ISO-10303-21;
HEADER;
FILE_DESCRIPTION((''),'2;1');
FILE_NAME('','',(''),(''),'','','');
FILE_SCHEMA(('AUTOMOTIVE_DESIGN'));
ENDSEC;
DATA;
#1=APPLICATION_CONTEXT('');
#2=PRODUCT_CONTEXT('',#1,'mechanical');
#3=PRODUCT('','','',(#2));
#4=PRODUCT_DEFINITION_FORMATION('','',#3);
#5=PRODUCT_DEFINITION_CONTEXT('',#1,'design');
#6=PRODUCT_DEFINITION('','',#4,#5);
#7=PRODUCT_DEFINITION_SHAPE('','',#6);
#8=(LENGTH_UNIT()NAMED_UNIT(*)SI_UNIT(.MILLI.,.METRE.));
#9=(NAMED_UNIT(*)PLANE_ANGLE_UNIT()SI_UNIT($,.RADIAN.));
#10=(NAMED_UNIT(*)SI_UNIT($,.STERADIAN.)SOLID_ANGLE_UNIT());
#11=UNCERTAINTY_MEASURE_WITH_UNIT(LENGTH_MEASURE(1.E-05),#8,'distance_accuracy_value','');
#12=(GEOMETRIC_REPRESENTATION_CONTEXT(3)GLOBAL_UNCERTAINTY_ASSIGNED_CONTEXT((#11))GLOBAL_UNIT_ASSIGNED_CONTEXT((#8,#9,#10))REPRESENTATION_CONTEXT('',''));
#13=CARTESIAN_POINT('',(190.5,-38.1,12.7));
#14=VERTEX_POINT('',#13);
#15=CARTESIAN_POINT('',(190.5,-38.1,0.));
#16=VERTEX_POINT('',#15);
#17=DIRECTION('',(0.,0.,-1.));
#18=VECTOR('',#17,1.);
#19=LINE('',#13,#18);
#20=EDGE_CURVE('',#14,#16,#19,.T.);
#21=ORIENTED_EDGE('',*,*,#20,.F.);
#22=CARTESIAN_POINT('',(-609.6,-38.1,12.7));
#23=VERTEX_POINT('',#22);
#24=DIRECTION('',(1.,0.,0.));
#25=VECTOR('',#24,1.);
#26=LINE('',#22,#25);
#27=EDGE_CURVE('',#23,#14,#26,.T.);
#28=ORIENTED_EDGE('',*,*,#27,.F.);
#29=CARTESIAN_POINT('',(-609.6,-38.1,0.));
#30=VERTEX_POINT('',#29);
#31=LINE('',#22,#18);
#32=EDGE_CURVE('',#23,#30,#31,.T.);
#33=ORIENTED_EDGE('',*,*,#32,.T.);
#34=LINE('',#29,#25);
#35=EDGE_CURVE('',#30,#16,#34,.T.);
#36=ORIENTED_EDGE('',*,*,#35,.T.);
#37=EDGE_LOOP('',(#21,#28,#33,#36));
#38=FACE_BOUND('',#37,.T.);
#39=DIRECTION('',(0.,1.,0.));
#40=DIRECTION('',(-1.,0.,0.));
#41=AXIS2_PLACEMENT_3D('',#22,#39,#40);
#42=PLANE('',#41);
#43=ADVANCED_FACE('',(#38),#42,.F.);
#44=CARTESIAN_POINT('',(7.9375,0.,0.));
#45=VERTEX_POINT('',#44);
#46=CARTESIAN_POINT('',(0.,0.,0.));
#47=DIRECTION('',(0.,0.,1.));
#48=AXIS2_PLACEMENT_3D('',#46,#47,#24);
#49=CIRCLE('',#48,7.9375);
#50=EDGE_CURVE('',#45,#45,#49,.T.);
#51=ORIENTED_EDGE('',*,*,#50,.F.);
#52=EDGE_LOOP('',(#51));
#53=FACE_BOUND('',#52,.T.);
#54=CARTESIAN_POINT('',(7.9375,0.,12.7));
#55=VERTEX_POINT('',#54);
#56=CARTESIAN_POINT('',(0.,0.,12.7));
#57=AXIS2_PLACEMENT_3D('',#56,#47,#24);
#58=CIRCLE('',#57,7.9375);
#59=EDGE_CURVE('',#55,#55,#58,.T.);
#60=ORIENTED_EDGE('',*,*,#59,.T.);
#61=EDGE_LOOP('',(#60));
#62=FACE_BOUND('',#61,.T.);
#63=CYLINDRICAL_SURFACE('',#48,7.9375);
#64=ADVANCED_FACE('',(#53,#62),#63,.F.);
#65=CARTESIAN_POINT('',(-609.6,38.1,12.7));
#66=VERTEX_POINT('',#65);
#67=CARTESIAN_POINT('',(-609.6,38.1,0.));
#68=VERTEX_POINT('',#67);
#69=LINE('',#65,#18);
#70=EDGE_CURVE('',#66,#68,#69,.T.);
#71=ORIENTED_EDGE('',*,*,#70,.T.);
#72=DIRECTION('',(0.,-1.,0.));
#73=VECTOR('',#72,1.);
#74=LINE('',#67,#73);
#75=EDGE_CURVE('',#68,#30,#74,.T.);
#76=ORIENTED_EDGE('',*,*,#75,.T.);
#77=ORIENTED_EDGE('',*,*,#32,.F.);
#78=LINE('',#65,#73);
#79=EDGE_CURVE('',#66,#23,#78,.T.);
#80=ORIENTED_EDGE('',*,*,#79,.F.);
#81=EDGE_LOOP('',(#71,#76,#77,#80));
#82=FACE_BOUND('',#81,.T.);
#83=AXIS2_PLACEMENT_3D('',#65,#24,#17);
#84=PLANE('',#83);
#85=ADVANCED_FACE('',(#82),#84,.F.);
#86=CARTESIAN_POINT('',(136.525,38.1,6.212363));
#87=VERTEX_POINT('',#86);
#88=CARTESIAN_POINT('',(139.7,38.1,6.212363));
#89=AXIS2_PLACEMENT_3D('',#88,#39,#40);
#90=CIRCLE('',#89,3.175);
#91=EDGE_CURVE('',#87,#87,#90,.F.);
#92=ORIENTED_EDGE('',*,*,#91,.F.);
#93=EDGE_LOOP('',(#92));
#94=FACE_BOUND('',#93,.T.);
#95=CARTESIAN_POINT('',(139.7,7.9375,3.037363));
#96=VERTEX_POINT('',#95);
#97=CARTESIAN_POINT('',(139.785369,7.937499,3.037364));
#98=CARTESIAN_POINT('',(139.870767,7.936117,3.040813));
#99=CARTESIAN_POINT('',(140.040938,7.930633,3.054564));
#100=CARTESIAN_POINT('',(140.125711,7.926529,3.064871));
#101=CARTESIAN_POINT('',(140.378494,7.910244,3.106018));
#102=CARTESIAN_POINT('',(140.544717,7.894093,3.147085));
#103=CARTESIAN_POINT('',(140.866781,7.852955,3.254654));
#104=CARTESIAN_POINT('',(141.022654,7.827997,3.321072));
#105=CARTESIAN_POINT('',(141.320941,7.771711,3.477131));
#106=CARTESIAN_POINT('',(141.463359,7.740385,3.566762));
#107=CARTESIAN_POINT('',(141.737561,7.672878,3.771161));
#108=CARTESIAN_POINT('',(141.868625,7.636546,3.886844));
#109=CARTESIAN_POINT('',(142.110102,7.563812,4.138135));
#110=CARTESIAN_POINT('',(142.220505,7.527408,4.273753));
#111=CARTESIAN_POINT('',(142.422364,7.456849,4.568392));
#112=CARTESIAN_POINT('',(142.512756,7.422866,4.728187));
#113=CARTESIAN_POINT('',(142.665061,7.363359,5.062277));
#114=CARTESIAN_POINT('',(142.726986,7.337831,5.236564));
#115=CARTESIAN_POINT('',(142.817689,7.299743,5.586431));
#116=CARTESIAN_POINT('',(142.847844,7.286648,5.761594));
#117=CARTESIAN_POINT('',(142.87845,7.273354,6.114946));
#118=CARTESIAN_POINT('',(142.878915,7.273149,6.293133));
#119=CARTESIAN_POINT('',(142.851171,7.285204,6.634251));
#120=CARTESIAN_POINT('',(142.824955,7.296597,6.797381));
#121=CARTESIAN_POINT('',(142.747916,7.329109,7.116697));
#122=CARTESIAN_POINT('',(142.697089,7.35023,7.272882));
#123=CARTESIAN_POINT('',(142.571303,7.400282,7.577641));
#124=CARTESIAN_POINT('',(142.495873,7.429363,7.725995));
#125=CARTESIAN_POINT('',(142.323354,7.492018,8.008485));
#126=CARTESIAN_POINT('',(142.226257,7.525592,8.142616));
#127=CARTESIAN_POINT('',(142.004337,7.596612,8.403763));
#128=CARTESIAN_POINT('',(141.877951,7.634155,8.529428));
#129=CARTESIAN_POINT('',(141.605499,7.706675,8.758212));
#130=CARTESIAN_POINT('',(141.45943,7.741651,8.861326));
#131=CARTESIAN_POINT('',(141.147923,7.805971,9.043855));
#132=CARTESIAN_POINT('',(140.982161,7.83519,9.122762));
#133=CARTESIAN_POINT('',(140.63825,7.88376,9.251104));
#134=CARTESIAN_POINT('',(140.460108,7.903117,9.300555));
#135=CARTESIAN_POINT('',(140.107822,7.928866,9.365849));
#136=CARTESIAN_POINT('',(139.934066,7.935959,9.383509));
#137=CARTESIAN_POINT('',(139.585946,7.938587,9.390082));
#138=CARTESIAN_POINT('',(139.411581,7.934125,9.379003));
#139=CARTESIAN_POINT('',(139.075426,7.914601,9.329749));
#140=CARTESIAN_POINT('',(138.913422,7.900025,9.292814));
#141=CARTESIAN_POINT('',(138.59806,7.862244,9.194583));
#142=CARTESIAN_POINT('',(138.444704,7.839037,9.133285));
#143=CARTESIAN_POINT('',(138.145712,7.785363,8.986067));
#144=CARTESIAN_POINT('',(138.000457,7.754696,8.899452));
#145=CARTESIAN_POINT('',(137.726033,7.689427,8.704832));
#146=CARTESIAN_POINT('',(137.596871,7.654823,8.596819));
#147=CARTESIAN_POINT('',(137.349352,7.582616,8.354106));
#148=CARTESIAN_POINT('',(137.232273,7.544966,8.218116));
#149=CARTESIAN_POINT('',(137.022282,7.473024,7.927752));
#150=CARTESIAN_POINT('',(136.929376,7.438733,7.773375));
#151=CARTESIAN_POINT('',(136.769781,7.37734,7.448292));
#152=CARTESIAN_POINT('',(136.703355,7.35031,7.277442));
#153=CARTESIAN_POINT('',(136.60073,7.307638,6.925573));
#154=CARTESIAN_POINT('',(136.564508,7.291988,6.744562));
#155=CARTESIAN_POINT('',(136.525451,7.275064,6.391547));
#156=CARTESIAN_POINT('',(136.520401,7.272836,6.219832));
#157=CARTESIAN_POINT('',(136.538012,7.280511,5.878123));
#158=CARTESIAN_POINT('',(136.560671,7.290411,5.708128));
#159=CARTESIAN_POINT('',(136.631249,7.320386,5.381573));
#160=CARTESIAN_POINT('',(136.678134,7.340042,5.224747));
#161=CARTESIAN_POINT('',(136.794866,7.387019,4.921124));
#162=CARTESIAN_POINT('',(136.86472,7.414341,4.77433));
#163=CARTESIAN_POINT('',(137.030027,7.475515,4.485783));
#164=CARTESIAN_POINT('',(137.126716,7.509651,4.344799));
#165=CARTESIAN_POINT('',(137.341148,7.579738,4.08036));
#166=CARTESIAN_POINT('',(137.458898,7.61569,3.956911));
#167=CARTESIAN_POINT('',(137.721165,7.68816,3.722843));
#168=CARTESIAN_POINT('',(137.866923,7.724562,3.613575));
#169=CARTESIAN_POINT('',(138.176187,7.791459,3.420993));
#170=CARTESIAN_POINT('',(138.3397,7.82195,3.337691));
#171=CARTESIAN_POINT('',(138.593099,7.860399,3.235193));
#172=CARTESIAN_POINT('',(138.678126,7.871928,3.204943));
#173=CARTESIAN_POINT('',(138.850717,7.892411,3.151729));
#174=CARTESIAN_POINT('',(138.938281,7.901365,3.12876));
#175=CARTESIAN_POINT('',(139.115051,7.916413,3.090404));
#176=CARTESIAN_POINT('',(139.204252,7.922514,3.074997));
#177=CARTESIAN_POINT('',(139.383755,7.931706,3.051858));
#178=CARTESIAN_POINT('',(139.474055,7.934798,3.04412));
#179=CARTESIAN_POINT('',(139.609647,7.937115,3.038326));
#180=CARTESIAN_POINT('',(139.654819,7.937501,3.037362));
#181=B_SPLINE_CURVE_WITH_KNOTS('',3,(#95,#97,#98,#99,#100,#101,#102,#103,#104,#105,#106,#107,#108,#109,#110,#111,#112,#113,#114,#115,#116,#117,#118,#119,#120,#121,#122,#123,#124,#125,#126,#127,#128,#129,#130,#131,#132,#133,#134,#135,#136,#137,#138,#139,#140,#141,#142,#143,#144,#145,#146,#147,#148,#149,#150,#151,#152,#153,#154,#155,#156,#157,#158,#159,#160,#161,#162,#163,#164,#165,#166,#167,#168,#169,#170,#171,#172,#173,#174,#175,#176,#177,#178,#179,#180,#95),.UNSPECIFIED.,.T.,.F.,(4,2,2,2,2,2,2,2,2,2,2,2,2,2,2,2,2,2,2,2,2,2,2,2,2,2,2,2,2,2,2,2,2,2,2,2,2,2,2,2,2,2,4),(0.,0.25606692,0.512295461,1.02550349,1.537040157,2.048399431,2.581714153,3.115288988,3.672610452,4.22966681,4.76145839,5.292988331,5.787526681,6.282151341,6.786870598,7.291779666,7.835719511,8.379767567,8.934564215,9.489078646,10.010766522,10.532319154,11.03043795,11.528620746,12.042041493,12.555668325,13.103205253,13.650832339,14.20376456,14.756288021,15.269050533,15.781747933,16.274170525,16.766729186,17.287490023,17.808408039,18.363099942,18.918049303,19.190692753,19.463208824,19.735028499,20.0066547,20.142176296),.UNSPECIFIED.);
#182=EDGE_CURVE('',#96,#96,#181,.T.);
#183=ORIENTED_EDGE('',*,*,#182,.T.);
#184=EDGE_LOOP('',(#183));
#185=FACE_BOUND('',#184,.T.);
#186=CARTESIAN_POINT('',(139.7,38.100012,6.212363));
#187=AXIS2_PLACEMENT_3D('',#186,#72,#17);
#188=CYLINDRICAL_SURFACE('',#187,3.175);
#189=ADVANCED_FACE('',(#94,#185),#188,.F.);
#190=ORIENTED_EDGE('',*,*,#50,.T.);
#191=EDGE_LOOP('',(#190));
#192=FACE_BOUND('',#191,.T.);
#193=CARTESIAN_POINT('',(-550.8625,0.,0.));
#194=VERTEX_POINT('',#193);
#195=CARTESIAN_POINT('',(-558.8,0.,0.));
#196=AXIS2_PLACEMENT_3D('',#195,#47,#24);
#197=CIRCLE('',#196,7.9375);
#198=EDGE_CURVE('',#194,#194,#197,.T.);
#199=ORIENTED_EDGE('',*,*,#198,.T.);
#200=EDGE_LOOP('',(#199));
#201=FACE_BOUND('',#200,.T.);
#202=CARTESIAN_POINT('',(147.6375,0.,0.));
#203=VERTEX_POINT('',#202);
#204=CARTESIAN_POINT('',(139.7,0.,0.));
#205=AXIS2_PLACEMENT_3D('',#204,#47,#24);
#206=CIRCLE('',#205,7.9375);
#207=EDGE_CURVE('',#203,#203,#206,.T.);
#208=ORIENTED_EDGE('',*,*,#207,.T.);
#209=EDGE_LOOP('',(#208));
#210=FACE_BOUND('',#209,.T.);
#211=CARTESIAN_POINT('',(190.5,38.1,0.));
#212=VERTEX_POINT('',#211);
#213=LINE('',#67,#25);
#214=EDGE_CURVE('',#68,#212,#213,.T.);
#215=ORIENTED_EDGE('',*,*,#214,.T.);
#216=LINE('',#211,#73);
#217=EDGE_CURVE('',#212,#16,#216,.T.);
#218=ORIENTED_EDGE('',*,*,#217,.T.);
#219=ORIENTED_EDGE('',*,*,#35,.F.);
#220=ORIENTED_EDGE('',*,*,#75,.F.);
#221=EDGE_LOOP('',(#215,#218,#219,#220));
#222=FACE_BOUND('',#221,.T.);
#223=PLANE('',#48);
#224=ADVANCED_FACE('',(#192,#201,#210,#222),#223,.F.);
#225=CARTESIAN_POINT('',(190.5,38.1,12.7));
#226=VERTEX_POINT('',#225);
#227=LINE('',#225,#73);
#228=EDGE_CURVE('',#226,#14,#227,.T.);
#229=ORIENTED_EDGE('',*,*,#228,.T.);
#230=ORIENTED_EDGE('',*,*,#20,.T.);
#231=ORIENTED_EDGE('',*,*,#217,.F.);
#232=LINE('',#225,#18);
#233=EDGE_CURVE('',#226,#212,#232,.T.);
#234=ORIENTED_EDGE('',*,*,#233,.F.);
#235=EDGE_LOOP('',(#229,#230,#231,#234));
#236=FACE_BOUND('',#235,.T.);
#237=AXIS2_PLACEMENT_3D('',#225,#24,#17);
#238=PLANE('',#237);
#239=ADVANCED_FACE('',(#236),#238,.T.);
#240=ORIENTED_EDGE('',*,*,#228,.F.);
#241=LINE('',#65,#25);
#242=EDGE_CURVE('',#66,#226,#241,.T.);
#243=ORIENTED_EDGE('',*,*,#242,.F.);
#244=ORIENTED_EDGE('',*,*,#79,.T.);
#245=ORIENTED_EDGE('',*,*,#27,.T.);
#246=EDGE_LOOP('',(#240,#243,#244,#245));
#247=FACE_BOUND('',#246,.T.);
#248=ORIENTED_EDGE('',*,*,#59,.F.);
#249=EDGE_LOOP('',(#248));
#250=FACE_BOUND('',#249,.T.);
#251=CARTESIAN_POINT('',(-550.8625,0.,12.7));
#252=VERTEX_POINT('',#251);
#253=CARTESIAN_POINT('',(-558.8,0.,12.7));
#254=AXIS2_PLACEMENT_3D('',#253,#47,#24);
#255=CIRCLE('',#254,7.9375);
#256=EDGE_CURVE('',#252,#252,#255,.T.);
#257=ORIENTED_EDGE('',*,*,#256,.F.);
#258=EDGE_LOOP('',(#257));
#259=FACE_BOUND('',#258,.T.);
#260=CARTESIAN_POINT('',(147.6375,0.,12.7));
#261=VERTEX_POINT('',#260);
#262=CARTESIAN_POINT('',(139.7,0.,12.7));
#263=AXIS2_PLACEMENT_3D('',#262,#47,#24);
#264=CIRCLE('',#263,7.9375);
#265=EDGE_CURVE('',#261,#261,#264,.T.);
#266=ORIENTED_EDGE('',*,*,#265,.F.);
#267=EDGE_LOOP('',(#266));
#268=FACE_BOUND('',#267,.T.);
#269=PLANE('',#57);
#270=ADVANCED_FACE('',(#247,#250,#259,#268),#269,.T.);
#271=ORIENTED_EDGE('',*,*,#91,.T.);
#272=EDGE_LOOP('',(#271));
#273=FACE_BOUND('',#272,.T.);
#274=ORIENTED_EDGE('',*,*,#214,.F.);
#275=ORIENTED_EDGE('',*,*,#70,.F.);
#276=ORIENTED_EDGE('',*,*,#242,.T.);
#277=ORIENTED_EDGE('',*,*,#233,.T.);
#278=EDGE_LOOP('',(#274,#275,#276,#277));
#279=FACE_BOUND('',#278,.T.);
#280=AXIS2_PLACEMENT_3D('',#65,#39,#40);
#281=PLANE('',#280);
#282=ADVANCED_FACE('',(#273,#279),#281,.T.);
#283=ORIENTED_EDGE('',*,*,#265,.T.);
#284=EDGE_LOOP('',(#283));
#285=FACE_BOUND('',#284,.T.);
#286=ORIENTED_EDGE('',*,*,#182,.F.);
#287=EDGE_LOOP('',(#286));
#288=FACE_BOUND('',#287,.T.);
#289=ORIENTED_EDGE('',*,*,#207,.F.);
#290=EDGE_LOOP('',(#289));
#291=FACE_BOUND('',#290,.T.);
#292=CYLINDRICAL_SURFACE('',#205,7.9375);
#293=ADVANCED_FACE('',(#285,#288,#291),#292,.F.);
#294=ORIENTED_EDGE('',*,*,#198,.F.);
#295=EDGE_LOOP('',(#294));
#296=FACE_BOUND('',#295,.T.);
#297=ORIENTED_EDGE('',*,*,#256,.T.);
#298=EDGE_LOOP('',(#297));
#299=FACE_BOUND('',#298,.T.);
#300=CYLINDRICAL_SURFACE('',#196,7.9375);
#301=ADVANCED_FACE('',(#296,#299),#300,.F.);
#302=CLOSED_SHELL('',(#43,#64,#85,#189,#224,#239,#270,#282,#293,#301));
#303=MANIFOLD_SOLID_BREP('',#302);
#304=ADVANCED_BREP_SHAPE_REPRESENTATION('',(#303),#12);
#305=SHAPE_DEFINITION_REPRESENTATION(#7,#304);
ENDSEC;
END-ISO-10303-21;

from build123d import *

# Parameters (mm, degrees)
SKETCH1_W               = 800.1
SKETCH1_H               = 76.2
BOSS_EXTRUDE1_DEPTH     = 12.7
CUT_EXTRUDE1_DEPTH      = 611.921484317
CUT_EXTRUDE1_DEPTH_BACK = 611.921484317
SKETCH2_R               = 7.9375
CUT_EXTRUDE2_DEPTH      = 615.475296493
CUT_EXTRUDE2_DEPTH_BACK = 31.75
SKETCH3_R               = 3.175


with BuildPart() as part:
    # Sketch1 → Boss-Extrude1 (new body)
    with BuildSketch(Plane.XY):
        with Locations((-209.55, 0)):
            Rectangle(SKETCH1_W, SKETCH1_H)
    extrude(amount=BOSS_EXTRUDE1_DEPTH)

    # Sketch2 → Cut-Extrude1 (cut, two sides: drawn at the far end of the back side and taken through both)
    with BuildSketch(Plane.XY.offset(12.7).offset(-CUT_EXTRUDE1_DEPTH_BACK)):
        Circle(SKETCH2_R)
        with Locations((-558.8, 0)):
            Circle(SKETCH2_R)
        with Locations((139.7, 0)):
            Circle(SKETCH2_R)
    extrude(amount=CUT_EXTRUDE1_DEPTH + CUT_EXTRUDE1_DEPTH_BACK, mode=Mode.SUBTRACT)

    # Sketch3 → Cut-Extrude2 (cut, two sides: drawn at the far end of the back side and taken through both)
    with BuildSketch(Plane(origin=(0, 38.1, 0), x_dir=(1, 0, 0), z_dir=(0, 1, 0)).offset(-CUT_EXTRUDE2_DEPTH_BACK)):
        with Locations(Location((139.7, -6.212362636, 0), (0, 0, 90))):
            Circle(SKETCH3_R)
    extrude(amount=CUT_EXTRUDE2_DEPTH + CUT_EXTRUDE2_DEPTH_BACK, mode=Mode.SUBTRACT)


solid = part.part
